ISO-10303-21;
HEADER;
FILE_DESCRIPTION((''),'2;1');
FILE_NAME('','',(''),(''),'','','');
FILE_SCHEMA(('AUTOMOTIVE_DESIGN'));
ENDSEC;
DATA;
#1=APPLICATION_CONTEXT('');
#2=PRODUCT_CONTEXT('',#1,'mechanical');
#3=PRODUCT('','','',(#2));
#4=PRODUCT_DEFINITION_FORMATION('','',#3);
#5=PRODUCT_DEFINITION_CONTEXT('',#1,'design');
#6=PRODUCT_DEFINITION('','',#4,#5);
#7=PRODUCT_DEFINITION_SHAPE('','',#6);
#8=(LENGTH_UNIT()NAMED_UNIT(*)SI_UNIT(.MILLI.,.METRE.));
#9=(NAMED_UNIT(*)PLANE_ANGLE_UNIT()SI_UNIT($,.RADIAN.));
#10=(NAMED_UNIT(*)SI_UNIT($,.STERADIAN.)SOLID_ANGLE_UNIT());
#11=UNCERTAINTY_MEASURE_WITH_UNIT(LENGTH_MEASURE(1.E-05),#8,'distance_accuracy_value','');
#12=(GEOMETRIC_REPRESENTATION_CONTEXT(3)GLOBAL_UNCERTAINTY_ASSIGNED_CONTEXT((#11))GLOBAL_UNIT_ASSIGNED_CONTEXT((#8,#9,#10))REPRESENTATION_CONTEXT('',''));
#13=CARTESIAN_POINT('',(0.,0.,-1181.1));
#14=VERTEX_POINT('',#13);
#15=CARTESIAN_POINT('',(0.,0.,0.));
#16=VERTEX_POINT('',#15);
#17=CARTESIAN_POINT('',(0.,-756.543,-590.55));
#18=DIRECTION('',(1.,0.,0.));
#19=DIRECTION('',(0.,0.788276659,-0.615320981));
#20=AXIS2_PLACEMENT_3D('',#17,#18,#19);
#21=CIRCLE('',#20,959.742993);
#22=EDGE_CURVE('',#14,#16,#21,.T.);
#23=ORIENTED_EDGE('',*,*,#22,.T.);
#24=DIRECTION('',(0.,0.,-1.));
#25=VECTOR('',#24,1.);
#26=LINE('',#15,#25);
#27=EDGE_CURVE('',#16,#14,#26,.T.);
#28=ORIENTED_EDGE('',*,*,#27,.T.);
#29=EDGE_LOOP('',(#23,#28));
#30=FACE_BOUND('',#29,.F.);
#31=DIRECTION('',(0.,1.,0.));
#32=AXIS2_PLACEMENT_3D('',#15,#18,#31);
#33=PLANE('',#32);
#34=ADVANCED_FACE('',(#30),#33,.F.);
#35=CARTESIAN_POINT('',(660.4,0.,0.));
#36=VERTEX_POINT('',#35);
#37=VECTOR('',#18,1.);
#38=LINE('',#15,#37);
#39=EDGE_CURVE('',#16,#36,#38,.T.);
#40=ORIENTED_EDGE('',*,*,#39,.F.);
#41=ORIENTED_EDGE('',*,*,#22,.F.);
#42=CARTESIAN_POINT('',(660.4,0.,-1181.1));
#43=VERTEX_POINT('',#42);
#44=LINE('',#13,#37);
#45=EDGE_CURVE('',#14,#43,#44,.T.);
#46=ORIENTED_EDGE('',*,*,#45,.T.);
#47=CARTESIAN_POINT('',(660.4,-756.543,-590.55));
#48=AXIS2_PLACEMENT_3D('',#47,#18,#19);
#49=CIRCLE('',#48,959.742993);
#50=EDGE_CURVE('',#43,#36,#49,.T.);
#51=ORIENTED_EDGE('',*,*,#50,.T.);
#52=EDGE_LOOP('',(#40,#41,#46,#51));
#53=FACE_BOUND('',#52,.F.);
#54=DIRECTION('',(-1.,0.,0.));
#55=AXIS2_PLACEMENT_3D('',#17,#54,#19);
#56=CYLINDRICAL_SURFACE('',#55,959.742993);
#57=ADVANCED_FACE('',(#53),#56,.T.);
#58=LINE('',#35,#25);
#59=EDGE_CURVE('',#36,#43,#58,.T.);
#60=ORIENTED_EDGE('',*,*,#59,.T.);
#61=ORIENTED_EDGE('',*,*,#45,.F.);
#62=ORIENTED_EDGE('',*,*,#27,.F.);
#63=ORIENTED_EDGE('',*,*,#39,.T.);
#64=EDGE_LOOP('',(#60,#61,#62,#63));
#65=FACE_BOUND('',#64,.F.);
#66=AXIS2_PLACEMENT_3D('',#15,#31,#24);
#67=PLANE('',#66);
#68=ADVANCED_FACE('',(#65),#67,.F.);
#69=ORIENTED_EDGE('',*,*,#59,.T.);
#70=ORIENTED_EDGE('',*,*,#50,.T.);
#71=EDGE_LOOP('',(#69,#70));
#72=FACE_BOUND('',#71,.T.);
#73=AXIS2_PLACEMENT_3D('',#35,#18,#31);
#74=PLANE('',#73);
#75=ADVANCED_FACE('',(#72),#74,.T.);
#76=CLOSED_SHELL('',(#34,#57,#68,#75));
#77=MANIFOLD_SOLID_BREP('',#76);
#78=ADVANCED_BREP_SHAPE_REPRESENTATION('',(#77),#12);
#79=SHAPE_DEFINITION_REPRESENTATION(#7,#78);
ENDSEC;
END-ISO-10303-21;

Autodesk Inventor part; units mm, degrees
ref_plane "YZ Plane" through (0, 0, 0) normal (1, 0, 0) x (0, 1, 0)
ref_plane "XZ Plane" through (0, 0, 0) normal (0, 1, 0) x (-1, 0, 0)
ref_plane "XY Plane" through (0, 0, 0) normal (0, 0, 1) x (1, 0, 0)
sketch "Sketch1" plane through (0, 0, 0) normal (1, 0, 0) x (0, 1, 0)
  line L0 (0, 0) -> (0, -1181.1)
  line L1 (0, 0) -> (1181.1, 0) construction
  arc A0 (0, -1181.1) -> (0, 0) centre (-756.543, -590.55) ccw
  dimension "d0" = 1181.1
  dimension "d1" = 90
extrude "Extrusion1" add sketch "Sketch1" along normal blind 660.4
properties part number "Wheel profile"
